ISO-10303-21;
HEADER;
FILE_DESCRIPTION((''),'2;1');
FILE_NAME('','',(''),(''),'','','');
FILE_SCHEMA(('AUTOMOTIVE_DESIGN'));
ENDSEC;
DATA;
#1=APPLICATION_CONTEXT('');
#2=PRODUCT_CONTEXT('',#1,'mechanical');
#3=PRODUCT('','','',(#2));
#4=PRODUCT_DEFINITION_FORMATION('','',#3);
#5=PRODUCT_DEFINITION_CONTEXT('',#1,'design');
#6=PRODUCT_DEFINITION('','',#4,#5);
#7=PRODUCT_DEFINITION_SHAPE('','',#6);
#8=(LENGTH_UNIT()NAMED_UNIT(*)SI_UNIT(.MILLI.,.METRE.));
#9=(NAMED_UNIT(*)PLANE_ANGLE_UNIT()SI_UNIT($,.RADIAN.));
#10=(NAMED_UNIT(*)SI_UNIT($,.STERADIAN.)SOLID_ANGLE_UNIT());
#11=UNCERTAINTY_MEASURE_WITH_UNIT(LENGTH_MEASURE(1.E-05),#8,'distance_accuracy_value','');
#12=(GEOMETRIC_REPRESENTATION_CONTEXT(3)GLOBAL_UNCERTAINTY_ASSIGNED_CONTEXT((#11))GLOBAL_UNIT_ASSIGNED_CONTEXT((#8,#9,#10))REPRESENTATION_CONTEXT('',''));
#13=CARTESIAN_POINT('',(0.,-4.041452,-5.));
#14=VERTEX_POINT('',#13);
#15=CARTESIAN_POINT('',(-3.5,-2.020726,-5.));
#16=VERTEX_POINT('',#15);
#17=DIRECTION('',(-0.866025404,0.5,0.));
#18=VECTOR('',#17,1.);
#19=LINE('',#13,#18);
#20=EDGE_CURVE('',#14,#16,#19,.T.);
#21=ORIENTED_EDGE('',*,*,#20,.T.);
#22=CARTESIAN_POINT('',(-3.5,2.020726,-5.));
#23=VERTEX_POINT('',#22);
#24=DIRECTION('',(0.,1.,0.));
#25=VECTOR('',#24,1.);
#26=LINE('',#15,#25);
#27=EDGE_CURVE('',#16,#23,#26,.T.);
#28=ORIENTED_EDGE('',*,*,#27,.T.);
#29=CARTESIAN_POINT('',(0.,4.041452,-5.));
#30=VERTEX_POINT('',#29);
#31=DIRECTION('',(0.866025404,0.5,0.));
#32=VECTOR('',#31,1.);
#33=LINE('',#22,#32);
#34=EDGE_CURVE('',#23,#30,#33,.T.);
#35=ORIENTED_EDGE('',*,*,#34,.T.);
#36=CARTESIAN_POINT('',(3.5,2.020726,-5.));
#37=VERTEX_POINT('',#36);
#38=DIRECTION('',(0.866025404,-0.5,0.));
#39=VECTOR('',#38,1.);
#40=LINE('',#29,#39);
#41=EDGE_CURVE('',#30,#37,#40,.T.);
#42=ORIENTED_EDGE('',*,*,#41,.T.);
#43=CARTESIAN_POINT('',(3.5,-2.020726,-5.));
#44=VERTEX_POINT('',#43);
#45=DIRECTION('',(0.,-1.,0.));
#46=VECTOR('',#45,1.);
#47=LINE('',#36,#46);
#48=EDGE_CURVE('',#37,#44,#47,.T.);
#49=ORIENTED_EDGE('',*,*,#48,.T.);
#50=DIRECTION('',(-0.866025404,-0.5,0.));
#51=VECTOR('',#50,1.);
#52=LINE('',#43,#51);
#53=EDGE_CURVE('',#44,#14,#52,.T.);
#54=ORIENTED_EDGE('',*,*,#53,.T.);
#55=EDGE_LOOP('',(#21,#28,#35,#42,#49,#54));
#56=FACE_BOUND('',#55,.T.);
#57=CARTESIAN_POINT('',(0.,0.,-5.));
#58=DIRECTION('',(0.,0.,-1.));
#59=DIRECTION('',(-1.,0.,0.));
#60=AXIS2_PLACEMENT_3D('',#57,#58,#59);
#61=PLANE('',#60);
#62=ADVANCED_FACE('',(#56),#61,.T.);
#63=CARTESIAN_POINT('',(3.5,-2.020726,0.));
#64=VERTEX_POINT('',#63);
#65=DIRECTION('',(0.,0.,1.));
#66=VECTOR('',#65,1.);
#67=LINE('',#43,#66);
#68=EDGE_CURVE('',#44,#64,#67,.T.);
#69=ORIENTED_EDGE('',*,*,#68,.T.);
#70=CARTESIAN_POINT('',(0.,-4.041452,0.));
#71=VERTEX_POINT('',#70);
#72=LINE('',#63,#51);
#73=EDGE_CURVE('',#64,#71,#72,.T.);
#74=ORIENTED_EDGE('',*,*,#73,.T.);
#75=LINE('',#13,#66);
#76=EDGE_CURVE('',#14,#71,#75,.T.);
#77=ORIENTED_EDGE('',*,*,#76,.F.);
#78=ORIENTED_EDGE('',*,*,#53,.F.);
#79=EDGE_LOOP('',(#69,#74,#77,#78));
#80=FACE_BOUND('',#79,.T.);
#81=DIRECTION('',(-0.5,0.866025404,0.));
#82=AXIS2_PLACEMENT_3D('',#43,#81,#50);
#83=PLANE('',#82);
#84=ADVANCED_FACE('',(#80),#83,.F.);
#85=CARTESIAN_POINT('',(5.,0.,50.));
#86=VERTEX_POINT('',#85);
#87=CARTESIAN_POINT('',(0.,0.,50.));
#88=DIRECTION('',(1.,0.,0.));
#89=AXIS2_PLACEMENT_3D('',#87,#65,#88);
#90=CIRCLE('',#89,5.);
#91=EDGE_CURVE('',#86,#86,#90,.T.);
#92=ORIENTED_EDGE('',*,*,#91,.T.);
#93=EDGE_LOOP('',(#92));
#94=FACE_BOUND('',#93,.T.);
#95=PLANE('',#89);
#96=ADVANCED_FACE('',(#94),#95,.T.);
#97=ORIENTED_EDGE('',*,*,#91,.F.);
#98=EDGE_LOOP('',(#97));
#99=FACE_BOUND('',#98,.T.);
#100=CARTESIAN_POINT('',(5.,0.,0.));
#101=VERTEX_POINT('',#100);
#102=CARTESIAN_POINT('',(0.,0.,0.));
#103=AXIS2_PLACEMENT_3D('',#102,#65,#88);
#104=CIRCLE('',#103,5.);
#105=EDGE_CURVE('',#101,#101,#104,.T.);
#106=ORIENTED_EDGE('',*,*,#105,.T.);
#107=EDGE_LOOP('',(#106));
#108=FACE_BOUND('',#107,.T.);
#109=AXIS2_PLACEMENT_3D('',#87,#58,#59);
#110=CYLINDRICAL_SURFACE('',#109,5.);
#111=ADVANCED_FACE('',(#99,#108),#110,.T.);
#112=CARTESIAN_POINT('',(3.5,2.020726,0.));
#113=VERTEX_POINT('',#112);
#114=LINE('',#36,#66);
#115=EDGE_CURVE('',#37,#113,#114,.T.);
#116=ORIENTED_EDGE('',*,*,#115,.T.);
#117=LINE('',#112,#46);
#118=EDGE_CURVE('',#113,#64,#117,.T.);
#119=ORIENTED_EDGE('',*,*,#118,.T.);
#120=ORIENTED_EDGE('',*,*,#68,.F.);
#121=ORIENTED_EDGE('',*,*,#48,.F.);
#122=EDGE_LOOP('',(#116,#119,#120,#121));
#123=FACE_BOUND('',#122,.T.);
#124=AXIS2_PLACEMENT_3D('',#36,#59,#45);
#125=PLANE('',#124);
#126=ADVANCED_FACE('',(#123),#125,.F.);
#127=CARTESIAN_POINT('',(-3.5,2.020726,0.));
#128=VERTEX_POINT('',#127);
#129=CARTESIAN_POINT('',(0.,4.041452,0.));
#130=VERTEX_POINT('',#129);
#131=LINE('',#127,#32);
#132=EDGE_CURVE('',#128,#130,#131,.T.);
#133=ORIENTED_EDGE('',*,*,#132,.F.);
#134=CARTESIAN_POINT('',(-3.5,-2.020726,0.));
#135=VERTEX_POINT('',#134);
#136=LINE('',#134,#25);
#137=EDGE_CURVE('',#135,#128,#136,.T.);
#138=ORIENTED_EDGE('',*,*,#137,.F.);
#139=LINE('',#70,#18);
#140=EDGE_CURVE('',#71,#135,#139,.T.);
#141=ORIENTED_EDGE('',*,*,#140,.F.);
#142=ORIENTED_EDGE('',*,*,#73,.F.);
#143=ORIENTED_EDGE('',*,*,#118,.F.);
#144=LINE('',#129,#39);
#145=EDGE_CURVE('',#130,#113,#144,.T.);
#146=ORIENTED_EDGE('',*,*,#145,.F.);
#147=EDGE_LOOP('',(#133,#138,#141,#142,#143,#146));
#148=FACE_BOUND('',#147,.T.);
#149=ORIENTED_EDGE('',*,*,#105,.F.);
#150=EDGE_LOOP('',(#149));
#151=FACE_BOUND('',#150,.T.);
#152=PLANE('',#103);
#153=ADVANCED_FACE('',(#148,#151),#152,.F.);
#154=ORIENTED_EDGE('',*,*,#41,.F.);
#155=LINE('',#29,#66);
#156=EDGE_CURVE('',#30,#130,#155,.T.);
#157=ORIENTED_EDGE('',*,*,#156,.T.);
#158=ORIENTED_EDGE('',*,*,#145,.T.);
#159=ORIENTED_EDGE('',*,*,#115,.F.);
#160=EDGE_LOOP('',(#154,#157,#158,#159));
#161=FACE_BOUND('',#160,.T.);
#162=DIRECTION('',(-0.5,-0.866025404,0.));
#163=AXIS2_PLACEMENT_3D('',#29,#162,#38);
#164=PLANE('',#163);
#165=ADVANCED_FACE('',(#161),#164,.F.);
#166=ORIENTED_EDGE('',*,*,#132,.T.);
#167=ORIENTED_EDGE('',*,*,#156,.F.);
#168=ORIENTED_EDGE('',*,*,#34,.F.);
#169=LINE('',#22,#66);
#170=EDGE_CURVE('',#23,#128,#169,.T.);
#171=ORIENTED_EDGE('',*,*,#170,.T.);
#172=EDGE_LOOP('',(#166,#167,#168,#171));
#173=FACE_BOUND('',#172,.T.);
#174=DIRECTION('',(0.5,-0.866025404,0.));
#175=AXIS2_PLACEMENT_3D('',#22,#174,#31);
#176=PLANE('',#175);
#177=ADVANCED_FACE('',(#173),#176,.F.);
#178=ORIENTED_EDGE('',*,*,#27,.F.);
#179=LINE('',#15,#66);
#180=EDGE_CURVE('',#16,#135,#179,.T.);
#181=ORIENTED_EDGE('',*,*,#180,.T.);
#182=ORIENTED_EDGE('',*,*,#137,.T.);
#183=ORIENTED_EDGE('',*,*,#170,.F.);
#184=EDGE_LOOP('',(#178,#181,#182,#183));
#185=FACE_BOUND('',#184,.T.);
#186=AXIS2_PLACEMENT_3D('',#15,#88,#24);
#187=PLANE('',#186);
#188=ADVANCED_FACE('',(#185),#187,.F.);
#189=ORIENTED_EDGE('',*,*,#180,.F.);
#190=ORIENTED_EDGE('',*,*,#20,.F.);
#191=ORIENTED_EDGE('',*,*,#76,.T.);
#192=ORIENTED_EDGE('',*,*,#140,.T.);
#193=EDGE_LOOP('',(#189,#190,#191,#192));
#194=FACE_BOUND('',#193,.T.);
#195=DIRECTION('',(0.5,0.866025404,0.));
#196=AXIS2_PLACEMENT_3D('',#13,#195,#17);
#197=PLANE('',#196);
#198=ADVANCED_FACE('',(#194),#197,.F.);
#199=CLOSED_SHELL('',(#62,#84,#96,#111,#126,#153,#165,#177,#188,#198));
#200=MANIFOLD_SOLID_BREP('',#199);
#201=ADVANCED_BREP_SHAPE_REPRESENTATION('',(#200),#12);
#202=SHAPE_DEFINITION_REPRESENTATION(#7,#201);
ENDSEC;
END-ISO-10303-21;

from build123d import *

# Parameters (mm, degrees)
SKETCH1_R           = 5
BOSS_EXTRUDE1_DEPTH = 50
BOSS_EXTRUDE2_DEPTH = 5


with BuildPart() as part:
    # Sketch1 → Boss-Extrude1 (new body)
    with BuildSketch(Plane.XY):
        Circle(SKETCH1_R)
    extrude(amount=BOSS_EXTRUDE1_DEPTH)

    # Sketch2 → Boss-Extrude2 (add)
    with BuildSketch(Plane(origin=(0, 0, 0), x_dir=(-1, 0, 0), z_dir=(0, 0, -1))):
        Polygon((0, 4.041451884), (-3.5, 2.020725942), (-3.5, -2.020725942), (0, -4.041451884), (3.5, -2.020725942), (3.5, 2.020725942), align=None)
    extrude(amount=BOSS_EXTRUDE2_DEPTH)


solid = part.part
